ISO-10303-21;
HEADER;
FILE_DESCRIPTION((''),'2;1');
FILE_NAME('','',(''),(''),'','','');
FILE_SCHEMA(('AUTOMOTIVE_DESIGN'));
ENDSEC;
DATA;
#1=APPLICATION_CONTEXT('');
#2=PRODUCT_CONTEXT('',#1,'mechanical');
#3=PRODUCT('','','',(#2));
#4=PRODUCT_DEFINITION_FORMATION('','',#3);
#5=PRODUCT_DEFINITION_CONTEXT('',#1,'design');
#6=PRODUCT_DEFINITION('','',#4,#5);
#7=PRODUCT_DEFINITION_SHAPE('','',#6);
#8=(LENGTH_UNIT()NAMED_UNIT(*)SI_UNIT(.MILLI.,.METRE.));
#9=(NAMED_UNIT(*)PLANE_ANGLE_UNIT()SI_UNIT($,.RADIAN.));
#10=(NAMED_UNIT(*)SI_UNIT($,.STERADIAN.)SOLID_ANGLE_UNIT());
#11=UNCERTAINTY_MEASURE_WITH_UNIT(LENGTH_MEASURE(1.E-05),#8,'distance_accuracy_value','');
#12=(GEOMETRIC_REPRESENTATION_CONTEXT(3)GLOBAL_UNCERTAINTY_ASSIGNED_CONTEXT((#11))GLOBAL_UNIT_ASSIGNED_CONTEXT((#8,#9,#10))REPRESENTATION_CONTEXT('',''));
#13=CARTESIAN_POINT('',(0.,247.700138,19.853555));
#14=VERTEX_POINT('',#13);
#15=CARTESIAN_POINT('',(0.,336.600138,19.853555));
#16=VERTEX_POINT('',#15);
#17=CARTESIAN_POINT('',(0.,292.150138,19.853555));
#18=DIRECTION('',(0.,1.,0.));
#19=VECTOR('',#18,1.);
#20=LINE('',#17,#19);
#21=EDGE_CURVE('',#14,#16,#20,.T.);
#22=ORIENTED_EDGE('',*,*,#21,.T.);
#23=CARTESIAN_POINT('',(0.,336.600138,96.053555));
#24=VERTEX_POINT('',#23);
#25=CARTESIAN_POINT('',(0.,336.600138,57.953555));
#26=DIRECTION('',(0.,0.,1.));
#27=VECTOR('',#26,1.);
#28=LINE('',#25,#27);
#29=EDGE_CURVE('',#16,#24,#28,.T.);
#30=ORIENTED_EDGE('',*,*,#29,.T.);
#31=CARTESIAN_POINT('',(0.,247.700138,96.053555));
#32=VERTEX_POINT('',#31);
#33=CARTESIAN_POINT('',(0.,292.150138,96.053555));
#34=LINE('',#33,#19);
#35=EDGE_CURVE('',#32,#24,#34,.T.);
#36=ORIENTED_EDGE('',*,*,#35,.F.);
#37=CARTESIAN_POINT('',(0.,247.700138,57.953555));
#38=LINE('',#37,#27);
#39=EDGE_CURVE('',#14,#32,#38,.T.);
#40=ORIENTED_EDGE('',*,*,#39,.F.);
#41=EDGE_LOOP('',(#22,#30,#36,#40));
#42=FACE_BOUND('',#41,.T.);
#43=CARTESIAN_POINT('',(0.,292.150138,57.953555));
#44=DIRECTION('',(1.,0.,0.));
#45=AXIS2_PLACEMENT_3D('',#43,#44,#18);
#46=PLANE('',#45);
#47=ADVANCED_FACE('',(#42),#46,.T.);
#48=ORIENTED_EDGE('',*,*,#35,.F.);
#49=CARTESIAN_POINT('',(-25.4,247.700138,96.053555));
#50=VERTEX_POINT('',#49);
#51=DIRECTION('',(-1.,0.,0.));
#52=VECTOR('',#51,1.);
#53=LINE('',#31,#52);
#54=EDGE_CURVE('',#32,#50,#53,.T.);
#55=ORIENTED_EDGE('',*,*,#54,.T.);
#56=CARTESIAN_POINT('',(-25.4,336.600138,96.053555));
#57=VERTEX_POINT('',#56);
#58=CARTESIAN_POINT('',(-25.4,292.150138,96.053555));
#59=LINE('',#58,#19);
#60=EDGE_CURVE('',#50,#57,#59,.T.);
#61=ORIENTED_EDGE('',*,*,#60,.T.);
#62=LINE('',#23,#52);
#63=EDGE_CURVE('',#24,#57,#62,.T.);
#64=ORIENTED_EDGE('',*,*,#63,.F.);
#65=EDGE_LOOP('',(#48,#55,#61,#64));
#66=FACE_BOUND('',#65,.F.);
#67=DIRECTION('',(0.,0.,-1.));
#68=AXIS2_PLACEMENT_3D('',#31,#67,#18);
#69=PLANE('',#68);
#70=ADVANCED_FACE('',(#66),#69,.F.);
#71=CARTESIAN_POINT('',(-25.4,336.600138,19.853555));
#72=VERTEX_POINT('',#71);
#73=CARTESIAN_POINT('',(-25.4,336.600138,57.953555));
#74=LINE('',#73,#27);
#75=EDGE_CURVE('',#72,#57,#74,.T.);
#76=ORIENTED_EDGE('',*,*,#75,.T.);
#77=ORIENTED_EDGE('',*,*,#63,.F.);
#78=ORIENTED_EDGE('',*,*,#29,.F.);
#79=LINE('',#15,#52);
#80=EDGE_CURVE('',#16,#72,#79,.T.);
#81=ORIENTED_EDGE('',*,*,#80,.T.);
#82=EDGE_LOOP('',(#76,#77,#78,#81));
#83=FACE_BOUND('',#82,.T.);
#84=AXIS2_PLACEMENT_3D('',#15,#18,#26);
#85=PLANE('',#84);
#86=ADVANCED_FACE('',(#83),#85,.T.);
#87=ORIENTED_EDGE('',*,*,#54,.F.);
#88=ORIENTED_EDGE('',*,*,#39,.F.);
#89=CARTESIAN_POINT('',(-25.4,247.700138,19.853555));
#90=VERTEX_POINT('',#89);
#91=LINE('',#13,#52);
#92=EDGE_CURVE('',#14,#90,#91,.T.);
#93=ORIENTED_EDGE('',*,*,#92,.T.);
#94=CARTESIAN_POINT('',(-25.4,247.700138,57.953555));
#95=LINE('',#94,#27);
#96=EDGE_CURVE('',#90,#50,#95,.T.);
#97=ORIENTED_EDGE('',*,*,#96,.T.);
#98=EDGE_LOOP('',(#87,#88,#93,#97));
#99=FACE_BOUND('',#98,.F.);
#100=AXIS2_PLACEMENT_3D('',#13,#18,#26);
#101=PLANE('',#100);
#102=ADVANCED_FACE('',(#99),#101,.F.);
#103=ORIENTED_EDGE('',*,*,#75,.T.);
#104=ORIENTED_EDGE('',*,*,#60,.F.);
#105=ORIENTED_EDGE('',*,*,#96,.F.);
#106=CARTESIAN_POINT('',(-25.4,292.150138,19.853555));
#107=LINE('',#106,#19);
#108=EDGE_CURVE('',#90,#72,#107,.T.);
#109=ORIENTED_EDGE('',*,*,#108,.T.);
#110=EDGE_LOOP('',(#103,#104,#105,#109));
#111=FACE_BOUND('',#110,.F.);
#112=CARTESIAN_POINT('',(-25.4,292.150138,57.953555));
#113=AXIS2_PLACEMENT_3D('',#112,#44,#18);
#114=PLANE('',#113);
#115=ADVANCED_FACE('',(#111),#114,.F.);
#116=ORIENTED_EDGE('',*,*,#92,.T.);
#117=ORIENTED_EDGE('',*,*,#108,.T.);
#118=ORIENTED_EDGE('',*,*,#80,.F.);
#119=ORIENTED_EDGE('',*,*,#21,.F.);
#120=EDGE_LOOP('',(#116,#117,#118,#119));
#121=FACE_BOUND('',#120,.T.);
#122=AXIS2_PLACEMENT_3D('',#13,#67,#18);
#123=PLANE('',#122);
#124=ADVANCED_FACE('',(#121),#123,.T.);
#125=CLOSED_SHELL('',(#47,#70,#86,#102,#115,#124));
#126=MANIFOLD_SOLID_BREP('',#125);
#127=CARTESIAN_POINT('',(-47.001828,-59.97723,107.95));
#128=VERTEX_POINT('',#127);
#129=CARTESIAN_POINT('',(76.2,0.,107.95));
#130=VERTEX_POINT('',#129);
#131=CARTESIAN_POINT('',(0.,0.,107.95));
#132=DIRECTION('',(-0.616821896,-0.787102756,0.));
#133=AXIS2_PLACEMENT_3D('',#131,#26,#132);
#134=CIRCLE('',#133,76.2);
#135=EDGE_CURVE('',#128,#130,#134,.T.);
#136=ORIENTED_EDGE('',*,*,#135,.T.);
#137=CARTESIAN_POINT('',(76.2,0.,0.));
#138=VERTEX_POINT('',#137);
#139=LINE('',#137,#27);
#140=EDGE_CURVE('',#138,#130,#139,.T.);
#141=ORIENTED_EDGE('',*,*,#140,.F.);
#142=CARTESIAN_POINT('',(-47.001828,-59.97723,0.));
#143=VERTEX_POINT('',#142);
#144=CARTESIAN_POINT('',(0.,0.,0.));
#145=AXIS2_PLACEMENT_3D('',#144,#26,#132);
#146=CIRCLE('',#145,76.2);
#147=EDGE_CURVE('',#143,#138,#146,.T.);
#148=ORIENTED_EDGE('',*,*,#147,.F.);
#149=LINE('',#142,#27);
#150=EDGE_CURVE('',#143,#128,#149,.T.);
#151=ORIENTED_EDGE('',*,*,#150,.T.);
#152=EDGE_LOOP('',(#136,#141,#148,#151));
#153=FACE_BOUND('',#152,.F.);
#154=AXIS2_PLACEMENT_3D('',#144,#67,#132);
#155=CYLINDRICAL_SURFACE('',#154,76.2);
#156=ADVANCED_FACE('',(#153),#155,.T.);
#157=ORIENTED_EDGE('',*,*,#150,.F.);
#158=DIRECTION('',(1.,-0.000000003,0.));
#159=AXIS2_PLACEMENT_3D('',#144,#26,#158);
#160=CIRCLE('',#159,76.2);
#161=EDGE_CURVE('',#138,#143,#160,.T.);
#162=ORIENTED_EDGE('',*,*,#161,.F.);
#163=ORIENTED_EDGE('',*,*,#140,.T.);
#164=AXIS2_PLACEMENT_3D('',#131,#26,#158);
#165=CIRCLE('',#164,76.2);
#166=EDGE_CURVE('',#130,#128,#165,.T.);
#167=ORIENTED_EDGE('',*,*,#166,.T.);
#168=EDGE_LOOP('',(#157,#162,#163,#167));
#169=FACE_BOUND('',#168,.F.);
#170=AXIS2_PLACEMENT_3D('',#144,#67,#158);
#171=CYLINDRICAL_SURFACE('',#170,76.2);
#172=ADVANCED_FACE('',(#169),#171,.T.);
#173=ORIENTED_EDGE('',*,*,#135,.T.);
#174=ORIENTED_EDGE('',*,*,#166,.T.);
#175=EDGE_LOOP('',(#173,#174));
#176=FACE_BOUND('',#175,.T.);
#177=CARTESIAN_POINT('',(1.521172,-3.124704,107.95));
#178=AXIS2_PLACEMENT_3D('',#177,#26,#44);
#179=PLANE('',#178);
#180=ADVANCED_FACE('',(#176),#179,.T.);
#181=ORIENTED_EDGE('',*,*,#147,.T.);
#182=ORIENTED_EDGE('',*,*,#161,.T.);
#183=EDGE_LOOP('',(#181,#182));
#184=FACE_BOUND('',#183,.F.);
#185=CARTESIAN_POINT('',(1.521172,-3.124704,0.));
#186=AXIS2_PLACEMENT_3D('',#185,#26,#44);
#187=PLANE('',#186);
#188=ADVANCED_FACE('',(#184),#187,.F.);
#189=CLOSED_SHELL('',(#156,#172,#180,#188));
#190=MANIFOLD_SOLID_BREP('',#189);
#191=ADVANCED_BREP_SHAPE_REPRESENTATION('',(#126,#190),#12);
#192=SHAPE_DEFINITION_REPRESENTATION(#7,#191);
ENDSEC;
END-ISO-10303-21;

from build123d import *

# Parameters (mm, degrees)
F1_DEPTH = 107.95
F2_W     = 88.9
F2_H     = 76.2
F3_DEPTH = 25.4


with BuildPart() as f1:
    # F0 (on Top) → F1 (new body)
    with BuildSketch(Plane.XY):
        with BuildLine():
            ThreePointArc((-47.001828, -59.97723), (33.353416, -68.512697), (76.2, 0))
            ThreePointArc((76.2, 0), (-33.353416, 68.512697), (-47.001828, -59.97723))
        make_face()
    extrude(amount=F1_DEPTH)


with BuildPart() as f3:
    # F2 (on Right) → F3 (new body)
    with BuildSketch(Plane.YZ):
        with Locations((292.150138, 57.953555)):
            Rectangle(F2_W, F2_H)
    extrude(amount=-F3_DEPTH)


solid = Compound([f1.part, f3.part])
